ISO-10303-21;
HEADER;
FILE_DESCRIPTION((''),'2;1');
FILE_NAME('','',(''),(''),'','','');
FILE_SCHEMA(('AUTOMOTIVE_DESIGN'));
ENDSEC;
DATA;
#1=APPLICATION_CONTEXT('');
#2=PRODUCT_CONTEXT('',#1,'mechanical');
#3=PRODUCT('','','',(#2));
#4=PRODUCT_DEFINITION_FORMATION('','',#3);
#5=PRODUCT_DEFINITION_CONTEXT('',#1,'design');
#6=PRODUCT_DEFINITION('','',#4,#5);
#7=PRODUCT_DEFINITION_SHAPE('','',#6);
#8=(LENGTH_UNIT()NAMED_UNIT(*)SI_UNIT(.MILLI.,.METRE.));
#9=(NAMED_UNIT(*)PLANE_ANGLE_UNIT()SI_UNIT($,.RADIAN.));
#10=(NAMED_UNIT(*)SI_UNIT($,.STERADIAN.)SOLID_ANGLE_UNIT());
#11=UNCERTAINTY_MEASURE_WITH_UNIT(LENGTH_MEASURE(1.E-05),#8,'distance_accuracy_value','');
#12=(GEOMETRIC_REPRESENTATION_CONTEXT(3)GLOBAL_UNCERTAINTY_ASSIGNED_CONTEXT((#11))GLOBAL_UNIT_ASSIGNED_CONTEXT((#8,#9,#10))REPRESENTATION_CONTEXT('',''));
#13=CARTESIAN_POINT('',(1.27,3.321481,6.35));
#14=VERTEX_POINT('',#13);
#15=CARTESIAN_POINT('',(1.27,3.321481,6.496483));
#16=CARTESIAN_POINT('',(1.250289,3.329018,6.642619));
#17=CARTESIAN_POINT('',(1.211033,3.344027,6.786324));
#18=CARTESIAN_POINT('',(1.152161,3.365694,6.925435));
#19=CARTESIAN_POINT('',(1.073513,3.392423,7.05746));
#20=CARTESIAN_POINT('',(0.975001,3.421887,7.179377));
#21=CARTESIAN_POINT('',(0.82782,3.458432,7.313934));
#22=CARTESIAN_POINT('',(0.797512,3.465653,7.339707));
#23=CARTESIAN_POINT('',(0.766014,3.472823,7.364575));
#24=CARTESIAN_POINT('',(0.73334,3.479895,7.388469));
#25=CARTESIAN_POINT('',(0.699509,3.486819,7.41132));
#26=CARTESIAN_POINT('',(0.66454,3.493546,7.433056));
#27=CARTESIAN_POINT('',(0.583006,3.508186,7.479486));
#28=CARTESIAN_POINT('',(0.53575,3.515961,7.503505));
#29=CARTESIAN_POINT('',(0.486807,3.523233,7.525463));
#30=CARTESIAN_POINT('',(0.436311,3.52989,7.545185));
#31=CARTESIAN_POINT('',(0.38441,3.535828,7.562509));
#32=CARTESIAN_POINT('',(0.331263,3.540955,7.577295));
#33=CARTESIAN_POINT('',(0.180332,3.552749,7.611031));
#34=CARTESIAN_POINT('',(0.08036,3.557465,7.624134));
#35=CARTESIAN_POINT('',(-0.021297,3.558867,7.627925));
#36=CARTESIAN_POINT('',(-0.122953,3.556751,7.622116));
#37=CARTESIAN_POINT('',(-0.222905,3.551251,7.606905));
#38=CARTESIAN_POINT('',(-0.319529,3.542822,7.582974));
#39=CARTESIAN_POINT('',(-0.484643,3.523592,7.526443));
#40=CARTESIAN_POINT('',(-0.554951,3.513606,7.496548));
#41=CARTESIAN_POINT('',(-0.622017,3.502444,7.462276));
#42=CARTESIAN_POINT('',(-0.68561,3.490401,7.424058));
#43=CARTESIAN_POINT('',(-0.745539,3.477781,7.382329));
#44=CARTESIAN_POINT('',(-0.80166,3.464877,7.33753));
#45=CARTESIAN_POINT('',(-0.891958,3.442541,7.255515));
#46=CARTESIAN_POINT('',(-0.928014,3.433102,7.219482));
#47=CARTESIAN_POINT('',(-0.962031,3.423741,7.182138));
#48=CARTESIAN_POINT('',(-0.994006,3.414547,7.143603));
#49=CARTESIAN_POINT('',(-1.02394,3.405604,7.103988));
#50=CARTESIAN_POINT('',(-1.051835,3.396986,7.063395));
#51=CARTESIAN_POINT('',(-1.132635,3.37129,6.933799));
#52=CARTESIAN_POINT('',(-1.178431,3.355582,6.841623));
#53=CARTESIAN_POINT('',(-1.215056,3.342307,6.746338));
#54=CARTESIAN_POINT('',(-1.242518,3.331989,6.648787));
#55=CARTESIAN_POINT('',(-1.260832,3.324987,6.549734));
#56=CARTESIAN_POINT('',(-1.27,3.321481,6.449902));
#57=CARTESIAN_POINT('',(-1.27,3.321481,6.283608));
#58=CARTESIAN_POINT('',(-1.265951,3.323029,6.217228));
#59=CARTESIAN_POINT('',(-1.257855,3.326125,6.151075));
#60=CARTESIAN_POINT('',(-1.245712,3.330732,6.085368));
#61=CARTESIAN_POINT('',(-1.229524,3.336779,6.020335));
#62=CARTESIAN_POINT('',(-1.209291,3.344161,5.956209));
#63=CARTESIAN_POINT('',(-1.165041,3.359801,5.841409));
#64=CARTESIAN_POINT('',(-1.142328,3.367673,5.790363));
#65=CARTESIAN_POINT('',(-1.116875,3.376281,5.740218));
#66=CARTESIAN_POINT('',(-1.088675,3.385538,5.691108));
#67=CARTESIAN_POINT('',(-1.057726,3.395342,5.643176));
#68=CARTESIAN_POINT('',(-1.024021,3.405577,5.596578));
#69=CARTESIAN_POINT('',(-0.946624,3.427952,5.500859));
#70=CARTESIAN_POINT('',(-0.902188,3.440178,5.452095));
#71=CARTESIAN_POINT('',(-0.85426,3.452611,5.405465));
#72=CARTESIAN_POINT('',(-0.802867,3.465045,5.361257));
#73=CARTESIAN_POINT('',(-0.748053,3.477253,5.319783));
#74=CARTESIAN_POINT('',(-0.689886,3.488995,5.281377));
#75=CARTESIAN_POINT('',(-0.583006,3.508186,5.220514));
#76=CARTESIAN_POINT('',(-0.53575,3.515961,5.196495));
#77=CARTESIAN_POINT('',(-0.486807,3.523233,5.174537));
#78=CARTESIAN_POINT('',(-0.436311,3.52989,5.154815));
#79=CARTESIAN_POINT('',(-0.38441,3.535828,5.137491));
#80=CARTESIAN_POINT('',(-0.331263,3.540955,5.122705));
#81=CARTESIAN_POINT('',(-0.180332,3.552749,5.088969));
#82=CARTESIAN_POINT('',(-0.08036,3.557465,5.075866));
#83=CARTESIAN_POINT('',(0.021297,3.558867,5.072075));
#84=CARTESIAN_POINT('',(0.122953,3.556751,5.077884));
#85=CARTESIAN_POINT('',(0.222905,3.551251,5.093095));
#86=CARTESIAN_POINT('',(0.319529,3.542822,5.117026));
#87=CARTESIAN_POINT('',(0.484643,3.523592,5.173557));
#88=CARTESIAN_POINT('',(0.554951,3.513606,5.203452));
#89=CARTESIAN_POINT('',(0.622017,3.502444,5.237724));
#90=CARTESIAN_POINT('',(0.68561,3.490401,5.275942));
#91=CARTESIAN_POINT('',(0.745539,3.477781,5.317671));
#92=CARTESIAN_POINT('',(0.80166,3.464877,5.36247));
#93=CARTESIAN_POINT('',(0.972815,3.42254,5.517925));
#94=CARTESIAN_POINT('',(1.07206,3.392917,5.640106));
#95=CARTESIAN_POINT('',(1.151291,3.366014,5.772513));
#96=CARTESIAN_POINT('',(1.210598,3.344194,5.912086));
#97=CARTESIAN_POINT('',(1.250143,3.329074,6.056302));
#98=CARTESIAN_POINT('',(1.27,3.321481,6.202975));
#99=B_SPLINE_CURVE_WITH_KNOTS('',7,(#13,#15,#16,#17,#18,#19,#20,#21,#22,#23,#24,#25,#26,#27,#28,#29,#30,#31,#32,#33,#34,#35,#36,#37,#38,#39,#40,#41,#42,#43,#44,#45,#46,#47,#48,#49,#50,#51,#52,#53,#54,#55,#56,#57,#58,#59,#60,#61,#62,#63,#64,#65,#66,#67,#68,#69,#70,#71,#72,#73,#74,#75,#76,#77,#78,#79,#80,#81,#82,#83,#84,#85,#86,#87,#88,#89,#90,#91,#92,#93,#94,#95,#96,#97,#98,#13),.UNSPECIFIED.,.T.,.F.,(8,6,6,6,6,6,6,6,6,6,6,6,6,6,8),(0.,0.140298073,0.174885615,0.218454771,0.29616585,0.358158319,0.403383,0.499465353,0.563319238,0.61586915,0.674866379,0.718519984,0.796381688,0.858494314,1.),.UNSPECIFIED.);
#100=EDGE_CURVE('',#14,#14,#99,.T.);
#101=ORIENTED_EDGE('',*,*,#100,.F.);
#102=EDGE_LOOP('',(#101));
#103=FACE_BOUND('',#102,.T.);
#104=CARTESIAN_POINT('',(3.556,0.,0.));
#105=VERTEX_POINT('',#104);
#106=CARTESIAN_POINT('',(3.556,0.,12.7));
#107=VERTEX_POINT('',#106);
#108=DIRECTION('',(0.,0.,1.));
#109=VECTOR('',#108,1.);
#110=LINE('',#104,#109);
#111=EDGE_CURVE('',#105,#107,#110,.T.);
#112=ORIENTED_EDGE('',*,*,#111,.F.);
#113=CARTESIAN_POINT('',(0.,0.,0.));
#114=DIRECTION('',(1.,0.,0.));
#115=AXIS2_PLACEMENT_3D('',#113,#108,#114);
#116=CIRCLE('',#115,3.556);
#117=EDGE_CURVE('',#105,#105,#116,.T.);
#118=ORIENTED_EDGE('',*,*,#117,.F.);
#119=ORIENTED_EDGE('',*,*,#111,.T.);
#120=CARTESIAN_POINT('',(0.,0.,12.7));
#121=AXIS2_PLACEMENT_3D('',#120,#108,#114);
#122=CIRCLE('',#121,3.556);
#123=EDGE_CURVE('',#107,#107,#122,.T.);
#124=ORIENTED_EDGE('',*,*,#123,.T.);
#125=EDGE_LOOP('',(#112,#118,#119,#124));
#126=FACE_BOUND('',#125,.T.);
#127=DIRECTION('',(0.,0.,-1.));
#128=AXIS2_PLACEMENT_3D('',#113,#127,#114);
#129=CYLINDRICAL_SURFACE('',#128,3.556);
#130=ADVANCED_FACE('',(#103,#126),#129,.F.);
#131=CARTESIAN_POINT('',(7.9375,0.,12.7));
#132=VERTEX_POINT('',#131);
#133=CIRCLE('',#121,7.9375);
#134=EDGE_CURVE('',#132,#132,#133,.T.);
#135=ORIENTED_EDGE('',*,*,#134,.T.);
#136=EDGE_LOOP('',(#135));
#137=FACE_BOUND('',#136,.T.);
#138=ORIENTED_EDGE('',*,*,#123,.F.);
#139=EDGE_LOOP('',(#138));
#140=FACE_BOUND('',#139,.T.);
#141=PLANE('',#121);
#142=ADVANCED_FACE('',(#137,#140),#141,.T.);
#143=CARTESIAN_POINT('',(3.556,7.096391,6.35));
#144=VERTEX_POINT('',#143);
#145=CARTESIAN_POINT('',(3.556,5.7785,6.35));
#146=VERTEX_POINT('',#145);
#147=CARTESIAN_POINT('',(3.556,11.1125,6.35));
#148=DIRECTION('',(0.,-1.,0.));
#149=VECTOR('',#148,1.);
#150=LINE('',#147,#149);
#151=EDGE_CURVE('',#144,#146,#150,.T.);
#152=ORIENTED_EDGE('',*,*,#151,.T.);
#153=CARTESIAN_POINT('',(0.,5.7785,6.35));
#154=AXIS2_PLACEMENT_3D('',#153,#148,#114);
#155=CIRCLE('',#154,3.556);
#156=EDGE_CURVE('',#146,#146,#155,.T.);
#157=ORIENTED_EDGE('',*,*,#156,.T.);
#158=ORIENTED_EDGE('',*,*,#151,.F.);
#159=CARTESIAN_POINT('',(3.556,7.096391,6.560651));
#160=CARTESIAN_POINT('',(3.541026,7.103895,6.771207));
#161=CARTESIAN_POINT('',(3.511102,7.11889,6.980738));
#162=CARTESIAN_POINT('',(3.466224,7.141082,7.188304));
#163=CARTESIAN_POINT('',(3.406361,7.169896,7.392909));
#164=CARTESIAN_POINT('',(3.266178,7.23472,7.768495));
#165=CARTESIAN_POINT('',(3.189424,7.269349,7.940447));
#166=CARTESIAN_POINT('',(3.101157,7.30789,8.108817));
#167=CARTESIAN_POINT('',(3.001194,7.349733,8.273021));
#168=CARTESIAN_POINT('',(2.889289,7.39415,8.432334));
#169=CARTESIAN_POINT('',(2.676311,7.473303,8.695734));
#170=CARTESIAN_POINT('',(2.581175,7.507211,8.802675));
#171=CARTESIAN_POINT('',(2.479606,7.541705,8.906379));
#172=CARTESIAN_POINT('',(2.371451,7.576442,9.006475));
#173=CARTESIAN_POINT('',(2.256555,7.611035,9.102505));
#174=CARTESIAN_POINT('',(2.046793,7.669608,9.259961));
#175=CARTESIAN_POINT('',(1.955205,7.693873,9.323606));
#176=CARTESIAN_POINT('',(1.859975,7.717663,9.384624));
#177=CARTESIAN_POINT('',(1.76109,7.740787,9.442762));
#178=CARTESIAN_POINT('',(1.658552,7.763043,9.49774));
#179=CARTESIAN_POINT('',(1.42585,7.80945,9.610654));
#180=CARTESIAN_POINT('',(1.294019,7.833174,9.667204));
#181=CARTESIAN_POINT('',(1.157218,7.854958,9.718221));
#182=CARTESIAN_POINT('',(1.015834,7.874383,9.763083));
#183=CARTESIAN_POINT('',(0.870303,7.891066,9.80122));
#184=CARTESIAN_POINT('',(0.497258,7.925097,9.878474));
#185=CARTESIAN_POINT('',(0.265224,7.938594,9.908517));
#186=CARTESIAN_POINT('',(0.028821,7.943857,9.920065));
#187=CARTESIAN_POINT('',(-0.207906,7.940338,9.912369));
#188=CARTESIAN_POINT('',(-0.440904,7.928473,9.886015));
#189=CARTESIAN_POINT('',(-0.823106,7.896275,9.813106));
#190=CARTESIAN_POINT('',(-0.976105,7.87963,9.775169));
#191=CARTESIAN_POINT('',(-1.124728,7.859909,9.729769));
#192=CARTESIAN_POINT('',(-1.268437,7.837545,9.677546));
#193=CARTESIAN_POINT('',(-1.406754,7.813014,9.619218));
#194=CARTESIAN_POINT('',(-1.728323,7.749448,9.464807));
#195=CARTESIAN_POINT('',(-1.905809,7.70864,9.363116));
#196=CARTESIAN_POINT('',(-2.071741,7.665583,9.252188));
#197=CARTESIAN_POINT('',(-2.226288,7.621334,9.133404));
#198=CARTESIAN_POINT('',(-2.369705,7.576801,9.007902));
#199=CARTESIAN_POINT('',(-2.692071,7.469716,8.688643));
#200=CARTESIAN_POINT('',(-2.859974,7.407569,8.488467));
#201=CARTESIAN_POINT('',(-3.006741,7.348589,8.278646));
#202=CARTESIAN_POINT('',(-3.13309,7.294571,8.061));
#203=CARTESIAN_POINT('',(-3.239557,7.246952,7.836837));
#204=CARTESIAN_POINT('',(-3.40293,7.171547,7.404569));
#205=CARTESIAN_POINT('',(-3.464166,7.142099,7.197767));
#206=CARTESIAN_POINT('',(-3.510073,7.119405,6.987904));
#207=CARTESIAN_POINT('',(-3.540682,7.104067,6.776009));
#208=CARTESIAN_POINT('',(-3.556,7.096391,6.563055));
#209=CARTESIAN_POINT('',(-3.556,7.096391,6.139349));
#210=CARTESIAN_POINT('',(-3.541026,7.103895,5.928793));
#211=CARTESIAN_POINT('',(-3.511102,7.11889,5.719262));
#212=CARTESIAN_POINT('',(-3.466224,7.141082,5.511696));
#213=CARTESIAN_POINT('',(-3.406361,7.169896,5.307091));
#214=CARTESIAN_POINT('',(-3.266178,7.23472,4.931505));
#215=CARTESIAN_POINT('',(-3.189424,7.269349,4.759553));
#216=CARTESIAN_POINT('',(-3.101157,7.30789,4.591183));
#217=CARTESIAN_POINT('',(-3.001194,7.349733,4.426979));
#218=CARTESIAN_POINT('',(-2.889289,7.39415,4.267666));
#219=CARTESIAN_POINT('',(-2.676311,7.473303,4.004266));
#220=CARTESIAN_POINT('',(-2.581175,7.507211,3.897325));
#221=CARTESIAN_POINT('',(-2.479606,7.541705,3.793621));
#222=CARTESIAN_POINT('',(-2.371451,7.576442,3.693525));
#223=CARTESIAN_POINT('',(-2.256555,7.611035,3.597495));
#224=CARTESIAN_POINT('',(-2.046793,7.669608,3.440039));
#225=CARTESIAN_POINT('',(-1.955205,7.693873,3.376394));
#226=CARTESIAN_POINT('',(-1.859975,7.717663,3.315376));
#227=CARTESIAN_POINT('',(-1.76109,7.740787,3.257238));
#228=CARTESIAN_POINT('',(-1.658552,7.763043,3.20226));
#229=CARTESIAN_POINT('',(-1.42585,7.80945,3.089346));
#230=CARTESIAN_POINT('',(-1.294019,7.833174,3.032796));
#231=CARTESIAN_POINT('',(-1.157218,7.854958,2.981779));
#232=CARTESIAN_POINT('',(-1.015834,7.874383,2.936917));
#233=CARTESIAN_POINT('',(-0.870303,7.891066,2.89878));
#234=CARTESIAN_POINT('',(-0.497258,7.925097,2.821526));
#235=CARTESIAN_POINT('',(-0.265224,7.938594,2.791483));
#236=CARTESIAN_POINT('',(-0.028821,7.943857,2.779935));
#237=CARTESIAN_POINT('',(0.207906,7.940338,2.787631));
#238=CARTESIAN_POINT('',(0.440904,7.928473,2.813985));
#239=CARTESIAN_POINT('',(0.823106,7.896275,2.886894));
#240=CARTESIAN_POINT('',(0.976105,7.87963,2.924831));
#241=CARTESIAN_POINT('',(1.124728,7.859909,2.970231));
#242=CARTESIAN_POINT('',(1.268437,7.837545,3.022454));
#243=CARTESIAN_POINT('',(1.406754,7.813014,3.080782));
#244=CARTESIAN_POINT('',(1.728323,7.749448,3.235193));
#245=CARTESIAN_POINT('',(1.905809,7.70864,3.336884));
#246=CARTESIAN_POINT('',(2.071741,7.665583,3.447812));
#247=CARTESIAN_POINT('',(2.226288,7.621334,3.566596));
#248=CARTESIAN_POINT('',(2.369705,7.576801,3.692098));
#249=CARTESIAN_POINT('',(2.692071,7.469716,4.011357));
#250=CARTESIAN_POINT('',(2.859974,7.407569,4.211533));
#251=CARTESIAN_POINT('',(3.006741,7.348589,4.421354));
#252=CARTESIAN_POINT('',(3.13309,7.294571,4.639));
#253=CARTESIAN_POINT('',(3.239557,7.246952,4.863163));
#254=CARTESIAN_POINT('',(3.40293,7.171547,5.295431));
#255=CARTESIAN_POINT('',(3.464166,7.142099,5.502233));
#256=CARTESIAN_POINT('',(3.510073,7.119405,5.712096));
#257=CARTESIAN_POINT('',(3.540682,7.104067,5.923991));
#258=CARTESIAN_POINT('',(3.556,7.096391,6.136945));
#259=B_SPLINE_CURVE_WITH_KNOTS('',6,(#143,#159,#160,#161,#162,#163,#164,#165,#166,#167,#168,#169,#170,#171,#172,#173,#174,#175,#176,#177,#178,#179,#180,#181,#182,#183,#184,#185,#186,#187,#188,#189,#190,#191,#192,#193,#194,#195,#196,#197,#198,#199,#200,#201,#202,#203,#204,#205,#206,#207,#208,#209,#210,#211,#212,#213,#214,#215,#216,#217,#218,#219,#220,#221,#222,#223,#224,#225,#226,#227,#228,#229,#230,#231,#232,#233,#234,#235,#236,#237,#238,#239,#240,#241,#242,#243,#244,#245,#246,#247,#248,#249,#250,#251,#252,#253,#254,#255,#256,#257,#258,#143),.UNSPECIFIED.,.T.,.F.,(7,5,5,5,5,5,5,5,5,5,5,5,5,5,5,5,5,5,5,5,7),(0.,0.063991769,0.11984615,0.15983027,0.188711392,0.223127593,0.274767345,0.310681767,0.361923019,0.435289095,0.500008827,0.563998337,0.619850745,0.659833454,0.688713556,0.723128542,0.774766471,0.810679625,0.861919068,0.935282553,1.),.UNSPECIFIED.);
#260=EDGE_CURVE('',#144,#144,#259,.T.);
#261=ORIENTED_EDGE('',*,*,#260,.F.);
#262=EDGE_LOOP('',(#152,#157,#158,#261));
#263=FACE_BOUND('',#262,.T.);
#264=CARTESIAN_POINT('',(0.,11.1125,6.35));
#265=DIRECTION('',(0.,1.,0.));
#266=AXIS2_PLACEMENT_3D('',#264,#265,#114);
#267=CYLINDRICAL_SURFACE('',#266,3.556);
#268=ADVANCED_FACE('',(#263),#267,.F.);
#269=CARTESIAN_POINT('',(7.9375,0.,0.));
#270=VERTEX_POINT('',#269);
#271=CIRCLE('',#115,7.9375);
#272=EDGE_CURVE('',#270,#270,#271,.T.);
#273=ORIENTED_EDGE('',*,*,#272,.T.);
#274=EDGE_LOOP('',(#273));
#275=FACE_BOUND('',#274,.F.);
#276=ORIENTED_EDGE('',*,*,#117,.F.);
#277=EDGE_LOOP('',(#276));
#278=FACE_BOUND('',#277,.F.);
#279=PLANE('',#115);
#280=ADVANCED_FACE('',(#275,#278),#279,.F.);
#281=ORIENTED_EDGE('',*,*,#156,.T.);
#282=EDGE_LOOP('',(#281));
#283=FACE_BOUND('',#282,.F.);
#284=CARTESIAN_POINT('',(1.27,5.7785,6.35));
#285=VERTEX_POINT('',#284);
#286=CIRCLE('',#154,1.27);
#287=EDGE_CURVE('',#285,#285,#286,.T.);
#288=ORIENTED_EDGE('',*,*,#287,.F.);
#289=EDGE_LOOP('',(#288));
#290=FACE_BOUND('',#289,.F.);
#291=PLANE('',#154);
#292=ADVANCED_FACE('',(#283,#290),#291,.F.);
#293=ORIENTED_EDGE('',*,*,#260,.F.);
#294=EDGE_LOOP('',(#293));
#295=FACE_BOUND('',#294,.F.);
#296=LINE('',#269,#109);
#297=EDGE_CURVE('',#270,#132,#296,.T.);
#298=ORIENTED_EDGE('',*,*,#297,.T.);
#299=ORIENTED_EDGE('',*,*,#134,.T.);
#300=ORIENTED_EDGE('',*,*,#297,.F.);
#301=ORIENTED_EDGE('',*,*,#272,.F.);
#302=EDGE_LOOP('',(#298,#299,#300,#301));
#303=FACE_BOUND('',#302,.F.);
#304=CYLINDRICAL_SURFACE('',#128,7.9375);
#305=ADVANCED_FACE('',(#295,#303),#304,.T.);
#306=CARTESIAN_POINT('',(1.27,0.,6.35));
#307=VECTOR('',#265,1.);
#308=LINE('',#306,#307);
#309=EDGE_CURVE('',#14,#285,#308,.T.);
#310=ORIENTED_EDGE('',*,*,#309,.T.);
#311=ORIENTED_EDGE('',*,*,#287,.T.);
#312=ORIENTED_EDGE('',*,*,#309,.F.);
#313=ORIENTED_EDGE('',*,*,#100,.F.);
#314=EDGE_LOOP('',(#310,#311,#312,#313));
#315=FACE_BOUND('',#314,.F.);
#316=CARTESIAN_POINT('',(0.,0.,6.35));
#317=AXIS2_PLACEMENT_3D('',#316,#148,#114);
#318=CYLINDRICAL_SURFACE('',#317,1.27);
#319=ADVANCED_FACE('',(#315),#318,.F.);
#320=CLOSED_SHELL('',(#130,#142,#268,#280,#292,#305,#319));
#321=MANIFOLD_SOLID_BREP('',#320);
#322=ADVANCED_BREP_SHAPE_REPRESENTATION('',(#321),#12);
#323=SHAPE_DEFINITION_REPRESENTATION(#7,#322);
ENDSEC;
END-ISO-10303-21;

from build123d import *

# Parameters (mm, degrees)
F0_R     = 7.9375
F0_R_2   = 3.556
F1_DEPTH = 12.7
F2_R     = 1.27
F3_DEPTH = 7.9385
F5_R     = 3.556
F6_DEPTH = 5.334


with BuildPart() as f1:
    # F0 (on Top) → F1 (new body)
    with BuildSketch(Plane.XY):
        Circle(F0_R)
        Circle(F0_R_2, mode=Mode.SUBTRACT)
    extrude(amount=F1_DEPTH)

    # F2 (on Front) → F3 (cut, through all)
    with BuildSketch(Plane.XZ):
        with Locations((0, 6.35)):
            Circle(F2_R)
    extrude(amount=-F3_DEPTH, mode=Mode.SUBTRACT)

    # F5 (on offset) → F6 (cut)
    with BuildSketch(Plane.XZ.offset(-11.1125)):
        with Locations((0, 6.35)):
            Circle(F5_R)
    extrude(amount=F6_DEPTH, mode=Mode.SUBTRACT)


solid = f1.part
